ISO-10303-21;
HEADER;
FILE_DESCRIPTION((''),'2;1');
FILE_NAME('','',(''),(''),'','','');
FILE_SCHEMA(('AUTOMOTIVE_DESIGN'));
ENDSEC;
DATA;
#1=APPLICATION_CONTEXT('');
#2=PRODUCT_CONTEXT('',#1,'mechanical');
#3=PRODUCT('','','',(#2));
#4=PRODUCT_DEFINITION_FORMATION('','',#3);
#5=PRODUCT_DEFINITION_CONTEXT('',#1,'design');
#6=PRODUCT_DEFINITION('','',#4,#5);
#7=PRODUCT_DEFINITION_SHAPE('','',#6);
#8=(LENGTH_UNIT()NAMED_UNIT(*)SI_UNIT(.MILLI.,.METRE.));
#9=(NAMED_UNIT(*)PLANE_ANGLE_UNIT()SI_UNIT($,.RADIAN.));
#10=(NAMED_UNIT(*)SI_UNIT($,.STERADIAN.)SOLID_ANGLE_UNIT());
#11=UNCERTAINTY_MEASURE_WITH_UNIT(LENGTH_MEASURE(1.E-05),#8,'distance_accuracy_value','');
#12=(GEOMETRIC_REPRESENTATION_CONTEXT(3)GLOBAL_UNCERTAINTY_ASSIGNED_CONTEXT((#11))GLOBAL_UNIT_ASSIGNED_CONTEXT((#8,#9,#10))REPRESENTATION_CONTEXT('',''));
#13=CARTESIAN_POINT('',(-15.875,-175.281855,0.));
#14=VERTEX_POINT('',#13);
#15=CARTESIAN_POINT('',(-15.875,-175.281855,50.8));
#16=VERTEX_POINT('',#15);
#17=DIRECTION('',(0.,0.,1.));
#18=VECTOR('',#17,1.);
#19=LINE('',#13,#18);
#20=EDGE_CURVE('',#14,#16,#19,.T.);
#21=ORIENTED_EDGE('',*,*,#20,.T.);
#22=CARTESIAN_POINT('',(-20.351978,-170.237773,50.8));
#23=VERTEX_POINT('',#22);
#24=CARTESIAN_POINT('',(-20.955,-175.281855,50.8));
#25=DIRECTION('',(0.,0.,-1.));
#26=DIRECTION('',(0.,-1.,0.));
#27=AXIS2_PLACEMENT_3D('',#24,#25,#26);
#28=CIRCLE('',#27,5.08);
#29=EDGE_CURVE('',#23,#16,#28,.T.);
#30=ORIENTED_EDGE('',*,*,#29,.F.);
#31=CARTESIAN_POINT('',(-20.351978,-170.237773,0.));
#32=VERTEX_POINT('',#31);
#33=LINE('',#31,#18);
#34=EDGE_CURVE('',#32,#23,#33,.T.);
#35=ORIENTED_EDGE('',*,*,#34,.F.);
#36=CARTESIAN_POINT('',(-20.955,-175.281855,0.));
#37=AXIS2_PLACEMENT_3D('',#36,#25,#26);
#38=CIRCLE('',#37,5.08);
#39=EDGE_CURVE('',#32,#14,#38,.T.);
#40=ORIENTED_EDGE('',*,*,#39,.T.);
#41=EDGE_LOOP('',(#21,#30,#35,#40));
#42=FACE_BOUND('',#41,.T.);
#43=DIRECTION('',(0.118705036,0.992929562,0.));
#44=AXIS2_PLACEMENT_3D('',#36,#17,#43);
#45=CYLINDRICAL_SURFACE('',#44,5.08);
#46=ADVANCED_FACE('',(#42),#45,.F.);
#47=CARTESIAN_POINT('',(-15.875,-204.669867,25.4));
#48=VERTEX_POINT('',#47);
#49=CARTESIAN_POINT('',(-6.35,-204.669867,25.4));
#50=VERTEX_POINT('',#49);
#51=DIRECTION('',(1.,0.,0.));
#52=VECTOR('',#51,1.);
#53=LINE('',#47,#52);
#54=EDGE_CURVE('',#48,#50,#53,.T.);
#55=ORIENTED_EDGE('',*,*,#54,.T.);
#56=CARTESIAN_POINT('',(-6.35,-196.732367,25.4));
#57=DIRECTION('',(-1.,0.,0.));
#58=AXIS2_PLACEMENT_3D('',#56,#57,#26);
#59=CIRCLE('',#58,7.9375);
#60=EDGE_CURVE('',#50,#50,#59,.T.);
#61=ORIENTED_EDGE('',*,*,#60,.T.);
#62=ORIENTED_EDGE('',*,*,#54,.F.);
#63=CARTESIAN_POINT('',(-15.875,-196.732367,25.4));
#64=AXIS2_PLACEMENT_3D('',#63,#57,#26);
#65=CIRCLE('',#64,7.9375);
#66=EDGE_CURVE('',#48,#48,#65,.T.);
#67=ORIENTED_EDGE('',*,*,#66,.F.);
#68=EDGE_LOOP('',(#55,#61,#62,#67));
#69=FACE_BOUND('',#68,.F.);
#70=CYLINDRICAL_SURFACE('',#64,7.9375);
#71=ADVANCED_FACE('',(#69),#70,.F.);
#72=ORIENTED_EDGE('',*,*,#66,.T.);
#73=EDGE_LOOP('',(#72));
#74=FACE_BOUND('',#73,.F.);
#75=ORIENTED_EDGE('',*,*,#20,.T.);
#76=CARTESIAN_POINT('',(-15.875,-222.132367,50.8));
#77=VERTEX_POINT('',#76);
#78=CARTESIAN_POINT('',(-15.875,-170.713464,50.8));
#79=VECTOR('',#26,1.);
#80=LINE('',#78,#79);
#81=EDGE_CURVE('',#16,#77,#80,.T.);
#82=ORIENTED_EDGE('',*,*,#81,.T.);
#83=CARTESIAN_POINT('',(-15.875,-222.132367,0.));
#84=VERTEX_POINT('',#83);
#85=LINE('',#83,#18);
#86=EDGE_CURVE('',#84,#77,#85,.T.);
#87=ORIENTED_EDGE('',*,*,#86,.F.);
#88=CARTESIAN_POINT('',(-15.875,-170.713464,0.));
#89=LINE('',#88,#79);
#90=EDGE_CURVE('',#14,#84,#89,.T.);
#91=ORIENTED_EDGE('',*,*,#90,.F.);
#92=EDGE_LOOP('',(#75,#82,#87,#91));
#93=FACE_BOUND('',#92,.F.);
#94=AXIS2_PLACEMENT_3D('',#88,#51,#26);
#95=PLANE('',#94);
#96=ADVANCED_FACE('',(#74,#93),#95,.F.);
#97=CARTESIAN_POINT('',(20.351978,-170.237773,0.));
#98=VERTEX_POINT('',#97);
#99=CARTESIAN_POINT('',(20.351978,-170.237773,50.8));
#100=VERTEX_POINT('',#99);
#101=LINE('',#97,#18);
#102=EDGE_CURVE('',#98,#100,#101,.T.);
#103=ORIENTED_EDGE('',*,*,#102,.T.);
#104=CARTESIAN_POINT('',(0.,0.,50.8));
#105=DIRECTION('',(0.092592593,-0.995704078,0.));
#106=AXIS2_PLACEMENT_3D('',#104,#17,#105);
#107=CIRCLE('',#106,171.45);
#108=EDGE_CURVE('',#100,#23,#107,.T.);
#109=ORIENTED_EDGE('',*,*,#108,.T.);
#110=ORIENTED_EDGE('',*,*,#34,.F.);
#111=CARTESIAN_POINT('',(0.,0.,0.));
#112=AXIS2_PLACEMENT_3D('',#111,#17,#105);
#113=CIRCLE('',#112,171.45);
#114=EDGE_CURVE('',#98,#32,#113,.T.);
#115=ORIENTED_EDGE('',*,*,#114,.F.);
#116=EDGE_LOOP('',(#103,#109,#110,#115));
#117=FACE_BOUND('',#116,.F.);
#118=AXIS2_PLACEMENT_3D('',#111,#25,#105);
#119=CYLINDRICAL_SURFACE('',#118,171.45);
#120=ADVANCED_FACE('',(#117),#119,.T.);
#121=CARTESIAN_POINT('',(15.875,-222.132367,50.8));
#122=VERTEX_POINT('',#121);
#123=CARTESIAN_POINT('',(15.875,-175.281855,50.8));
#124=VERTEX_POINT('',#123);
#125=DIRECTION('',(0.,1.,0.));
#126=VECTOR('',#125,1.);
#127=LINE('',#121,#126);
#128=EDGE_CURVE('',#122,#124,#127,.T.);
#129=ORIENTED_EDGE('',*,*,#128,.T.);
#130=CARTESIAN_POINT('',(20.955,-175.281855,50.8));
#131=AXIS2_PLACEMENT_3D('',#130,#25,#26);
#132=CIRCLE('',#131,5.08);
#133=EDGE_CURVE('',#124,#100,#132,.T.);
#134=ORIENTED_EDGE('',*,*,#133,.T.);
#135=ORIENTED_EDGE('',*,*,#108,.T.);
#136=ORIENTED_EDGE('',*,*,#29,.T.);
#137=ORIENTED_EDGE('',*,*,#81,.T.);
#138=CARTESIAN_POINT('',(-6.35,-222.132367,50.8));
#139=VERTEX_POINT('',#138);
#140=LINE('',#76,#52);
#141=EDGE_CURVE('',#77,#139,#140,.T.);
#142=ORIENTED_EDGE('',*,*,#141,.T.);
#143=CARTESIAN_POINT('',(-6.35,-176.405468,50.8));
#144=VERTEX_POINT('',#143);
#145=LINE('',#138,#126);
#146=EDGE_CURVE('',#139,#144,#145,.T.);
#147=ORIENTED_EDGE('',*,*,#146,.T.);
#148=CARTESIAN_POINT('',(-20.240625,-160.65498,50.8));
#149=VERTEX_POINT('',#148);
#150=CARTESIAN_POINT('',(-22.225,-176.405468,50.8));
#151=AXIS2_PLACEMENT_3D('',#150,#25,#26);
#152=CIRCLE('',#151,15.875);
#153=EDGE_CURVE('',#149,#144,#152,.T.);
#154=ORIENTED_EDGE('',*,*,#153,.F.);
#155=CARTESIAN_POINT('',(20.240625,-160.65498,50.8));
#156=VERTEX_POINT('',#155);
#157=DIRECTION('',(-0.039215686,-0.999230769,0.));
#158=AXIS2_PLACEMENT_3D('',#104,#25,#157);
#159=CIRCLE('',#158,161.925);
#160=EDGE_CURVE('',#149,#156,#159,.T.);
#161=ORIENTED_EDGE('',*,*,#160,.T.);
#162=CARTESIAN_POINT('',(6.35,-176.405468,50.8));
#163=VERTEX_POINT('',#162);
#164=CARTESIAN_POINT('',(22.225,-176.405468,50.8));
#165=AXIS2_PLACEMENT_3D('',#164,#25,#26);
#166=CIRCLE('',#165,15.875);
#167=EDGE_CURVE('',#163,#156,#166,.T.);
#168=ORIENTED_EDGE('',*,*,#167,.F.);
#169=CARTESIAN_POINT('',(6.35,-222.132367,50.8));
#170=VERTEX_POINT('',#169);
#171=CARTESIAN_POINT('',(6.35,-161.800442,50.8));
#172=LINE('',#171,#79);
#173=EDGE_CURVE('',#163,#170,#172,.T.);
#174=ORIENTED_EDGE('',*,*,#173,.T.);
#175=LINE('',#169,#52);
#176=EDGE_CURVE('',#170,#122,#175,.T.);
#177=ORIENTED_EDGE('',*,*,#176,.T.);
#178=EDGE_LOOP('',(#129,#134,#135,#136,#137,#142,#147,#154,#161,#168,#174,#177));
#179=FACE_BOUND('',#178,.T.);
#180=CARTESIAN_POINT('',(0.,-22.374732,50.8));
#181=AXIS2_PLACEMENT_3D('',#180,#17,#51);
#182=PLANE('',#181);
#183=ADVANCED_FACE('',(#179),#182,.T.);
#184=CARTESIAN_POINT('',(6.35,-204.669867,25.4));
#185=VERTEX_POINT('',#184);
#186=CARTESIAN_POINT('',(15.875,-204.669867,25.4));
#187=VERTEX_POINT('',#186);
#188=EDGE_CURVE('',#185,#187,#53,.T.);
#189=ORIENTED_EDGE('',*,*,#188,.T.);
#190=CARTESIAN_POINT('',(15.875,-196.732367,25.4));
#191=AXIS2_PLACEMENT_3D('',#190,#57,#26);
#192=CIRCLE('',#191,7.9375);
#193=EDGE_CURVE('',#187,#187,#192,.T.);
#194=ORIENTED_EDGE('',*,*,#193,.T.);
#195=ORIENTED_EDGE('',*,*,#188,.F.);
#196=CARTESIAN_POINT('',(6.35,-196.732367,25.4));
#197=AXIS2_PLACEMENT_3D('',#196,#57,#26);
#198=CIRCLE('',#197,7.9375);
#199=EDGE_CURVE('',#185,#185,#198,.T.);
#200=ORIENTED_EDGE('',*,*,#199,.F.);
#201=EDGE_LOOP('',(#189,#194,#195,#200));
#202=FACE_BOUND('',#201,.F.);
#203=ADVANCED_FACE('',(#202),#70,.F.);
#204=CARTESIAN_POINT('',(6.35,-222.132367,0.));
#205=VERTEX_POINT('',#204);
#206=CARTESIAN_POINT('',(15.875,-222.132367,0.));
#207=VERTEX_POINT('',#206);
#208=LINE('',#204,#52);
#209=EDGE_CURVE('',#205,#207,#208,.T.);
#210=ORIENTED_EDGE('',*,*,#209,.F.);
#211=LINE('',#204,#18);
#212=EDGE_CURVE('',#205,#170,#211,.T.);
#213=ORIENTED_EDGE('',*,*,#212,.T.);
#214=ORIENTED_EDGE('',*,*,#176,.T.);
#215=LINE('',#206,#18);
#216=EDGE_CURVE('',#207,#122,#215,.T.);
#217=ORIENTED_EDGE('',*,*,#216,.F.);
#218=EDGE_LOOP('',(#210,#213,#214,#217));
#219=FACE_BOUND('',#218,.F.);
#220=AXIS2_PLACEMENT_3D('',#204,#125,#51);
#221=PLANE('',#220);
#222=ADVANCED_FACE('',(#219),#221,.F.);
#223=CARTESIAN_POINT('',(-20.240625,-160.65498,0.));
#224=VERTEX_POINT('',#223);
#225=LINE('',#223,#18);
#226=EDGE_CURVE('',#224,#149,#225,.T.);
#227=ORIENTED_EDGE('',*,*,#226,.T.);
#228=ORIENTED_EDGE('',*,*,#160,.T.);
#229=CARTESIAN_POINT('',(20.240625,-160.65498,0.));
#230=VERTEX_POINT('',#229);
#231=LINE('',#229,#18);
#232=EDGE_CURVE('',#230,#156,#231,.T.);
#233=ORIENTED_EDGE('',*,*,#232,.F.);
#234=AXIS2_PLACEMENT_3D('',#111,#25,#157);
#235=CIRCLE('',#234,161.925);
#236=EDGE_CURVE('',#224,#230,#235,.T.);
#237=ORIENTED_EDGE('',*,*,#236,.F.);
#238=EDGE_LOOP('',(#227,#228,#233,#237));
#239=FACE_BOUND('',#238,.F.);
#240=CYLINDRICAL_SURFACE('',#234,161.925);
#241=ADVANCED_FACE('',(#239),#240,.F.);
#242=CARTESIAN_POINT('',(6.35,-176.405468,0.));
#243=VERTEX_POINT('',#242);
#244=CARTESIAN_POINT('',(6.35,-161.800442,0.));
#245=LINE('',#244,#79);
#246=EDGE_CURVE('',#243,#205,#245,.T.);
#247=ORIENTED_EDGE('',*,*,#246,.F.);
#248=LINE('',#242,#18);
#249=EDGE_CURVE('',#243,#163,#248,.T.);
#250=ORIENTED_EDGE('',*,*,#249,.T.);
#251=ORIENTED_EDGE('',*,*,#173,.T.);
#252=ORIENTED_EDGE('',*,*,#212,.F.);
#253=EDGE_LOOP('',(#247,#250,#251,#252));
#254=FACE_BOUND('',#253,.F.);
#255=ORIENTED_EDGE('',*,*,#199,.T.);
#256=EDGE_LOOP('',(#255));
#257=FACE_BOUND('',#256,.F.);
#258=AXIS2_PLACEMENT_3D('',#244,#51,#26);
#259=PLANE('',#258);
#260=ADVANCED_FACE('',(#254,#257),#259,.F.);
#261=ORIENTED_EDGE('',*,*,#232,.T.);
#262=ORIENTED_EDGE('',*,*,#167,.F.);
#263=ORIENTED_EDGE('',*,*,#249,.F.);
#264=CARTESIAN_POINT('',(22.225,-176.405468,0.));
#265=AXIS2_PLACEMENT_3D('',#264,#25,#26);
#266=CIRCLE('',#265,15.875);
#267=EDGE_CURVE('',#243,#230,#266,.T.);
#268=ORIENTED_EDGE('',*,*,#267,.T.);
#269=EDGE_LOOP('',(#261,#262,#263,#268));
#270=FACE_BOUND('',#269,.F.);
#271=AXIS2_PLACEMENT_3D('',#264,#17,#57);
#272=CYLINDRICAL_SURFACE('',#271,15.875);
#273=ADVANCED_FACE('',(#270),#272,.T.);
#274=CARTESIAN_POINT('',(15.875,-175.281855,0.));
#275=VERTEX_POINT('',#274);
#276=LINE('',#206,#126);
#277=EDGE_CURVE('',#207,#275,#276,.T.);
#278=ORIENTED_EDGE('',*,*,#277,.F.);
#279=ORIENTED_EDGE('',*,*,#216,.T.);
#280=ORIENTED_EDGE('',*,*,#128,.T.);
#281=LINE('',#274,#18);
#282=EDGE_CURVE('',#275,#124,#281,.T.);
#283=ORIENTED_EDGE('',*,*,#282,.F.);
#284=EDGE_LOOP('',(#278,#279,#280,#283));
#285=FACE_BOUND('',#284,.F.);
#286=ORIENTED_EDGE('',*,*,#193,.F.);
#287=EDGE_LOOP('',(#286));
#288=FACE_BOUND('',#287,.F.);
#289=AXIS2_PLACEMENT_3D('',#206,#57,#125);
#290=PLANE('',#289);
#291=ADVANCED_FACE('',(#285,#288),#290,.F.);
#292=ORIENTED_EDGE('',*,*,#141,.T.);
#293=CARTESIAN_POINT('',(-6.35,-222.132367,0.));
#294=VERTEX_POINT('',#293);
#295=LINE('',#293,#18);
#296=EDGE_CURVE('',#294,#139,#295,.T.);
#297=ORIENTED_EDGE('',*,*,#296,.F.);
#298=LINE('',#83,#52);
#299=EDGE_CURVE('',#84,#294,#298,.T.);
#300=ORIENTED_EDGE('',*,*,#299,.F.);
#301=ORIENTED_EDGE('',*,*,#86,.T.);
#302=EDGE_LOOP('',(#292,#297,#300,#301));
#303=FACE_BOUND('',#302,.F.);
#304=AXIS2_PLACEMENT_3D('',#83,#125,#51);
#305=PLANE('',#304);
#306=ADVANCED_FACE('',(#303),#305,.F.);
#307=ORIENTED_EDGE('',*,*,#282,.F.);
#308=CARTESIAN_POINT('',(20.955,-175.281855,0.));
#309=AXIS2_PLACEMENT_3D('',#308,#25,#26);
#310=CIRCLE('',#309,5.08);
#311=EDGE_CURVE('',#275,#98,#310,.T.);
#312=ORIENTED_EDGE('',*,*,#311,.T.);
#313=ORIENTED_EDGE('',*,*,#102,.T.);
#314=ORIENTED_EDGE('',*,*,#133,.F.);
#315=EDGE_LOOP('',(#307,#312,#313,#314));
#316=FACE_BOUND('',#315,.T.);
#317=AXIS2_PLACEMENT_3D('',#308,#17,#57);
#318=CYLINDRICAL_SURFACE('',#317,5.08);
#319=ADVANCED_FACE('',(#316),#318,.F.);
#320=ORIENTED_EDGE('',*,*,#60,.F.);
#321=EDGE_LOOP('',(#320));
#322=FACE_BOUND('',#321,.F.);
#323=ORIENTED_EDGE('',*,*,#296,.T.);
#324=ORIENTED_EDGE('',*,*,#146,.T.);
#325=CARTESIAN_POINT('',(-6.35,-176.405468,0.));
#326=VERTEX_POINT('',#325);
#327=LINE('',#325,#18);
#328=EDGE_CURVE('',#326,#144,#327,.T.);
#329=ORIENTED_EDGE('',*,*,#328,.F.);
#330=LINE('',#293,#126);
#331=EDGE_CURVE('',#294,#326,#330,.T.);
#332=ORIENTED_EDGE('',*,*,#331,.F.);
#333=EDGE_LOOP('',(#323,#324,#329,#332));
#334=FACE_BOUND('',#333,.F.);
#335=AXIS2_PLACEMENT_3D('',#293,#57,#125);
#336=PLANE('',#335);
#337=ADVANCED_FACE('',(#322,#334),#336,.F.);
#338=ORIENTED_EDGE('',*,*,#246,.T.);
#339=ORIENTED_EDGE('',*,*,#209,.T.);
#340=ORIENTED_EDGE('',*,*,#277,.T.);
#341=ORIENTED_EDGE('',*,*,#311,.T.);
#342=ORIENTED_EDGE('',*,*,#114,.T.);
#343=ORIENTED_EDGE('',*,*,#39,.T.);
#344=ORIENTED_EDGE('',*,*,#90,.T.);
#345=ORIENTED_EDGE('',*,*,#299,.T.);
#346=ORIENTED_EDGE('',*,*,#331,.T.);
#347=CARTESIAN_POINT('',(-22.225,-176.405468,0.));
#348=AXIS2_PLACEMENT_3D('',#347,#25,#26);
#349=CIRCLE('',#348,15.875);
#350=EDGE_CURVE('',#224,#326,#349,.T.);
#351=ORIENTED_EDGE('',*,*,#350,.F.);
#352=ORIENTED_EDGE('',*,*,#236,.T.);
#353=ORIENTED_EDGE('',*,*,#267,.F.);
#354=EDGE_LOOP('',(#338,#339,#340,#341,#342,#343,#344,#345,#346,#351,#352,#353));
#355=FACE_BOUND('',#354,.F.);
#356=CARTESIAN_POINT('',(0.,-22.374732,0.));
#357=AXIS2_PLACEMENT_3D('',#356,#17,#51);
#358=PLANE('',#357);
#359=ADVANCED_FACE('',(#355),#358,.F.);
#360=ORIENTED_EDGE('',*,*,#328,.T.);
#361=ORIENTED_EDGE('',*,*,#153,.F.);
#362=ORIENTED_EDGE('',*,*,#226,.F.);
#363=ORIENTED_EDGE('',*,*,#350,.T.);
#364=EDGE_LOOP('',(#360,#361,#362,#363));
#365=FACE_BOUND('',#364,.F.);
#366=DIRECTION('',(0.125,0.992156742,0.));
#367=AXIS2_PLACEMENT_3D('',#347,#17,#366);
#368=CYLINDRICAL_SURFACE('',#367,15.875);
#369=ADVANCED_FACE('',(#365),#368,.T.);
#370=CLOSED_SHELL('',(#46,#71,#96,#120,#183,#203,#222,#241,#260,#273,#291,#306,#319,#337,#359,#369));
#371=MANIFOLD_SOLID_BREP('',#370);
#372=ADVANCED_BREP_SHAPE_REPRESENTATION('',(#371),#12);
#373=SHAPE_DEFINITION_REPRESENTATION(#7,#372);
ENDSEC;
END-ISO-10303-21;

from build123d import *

# Parameters (mm, degrees)
F1_DEPTH = 50.8
F2_R     = 5.08
F3_R     = 15.875
F4_R     = 7.9375
F5_DEPTH = 187.326


with BuildPart() as f1:
    # F0 (on Top) → F1 (new body)
    with BuildSketch(Plane.XY):
        with BuildLine():
            ThreePointArc((-6.35, -161.800442), (0, 161.925), (6.35, -161.800442))
            Line((6.35, -161.800442), (6.35, -171.332367))
            Line((6.35, -171.332367), (6.35, -222.132367))
            Line((6.35, -222.132367), (15.875, -222.132367))
            Line((15.875, -222.132367), (15.875, -170.713464))
            ThreePointArc((15.875, -170.713464), (0, 171.45), (-15.875, -170.713464))
            Line((-15.875, -170.713464), (-15.875, -222.132367))
            Line((-15.875, -222.132367), (-6.35, -222.132367))
            Line((-6.35, -222.132367), (-6.35, -171.332367))
            Line((-6.35, -171.332367), (-6.35, -161.800442))
        make_face()
    extrude(amount=F1_DEPTH)

    # F2
    f2_edges = [f1.edges().sort_by_distance(p)[0] for p in [
        (-15.875, -170.713464, 25.4),
        (15.875, -170.713464, 25.4),
    ]]
    fillet(f2_edges, radius=F2_R)

    # F3
    f3_edges = [f1.edges().sort_by_distance(p)[0] for p in [
        (-6.35, -161.800442, 25.4),
        (6.35, -161.800442, 25.4),
    ]]
    fillet(f3_edges, radius=F3_R)

    # F4 (on face) → F5 (cut, through all)
    with BuildSketch(Plane(origin=(-15.875, 0, 0), x_dir=(0, -1, 0), z_dir=(-1, 0, 0))):
        with Locations((196.732367, 25.4)):
            Circle(F4_R)
    extrude(amount=-F5_DEPTH, mode=Mode.SUBTRACT)


solid = f1.part
